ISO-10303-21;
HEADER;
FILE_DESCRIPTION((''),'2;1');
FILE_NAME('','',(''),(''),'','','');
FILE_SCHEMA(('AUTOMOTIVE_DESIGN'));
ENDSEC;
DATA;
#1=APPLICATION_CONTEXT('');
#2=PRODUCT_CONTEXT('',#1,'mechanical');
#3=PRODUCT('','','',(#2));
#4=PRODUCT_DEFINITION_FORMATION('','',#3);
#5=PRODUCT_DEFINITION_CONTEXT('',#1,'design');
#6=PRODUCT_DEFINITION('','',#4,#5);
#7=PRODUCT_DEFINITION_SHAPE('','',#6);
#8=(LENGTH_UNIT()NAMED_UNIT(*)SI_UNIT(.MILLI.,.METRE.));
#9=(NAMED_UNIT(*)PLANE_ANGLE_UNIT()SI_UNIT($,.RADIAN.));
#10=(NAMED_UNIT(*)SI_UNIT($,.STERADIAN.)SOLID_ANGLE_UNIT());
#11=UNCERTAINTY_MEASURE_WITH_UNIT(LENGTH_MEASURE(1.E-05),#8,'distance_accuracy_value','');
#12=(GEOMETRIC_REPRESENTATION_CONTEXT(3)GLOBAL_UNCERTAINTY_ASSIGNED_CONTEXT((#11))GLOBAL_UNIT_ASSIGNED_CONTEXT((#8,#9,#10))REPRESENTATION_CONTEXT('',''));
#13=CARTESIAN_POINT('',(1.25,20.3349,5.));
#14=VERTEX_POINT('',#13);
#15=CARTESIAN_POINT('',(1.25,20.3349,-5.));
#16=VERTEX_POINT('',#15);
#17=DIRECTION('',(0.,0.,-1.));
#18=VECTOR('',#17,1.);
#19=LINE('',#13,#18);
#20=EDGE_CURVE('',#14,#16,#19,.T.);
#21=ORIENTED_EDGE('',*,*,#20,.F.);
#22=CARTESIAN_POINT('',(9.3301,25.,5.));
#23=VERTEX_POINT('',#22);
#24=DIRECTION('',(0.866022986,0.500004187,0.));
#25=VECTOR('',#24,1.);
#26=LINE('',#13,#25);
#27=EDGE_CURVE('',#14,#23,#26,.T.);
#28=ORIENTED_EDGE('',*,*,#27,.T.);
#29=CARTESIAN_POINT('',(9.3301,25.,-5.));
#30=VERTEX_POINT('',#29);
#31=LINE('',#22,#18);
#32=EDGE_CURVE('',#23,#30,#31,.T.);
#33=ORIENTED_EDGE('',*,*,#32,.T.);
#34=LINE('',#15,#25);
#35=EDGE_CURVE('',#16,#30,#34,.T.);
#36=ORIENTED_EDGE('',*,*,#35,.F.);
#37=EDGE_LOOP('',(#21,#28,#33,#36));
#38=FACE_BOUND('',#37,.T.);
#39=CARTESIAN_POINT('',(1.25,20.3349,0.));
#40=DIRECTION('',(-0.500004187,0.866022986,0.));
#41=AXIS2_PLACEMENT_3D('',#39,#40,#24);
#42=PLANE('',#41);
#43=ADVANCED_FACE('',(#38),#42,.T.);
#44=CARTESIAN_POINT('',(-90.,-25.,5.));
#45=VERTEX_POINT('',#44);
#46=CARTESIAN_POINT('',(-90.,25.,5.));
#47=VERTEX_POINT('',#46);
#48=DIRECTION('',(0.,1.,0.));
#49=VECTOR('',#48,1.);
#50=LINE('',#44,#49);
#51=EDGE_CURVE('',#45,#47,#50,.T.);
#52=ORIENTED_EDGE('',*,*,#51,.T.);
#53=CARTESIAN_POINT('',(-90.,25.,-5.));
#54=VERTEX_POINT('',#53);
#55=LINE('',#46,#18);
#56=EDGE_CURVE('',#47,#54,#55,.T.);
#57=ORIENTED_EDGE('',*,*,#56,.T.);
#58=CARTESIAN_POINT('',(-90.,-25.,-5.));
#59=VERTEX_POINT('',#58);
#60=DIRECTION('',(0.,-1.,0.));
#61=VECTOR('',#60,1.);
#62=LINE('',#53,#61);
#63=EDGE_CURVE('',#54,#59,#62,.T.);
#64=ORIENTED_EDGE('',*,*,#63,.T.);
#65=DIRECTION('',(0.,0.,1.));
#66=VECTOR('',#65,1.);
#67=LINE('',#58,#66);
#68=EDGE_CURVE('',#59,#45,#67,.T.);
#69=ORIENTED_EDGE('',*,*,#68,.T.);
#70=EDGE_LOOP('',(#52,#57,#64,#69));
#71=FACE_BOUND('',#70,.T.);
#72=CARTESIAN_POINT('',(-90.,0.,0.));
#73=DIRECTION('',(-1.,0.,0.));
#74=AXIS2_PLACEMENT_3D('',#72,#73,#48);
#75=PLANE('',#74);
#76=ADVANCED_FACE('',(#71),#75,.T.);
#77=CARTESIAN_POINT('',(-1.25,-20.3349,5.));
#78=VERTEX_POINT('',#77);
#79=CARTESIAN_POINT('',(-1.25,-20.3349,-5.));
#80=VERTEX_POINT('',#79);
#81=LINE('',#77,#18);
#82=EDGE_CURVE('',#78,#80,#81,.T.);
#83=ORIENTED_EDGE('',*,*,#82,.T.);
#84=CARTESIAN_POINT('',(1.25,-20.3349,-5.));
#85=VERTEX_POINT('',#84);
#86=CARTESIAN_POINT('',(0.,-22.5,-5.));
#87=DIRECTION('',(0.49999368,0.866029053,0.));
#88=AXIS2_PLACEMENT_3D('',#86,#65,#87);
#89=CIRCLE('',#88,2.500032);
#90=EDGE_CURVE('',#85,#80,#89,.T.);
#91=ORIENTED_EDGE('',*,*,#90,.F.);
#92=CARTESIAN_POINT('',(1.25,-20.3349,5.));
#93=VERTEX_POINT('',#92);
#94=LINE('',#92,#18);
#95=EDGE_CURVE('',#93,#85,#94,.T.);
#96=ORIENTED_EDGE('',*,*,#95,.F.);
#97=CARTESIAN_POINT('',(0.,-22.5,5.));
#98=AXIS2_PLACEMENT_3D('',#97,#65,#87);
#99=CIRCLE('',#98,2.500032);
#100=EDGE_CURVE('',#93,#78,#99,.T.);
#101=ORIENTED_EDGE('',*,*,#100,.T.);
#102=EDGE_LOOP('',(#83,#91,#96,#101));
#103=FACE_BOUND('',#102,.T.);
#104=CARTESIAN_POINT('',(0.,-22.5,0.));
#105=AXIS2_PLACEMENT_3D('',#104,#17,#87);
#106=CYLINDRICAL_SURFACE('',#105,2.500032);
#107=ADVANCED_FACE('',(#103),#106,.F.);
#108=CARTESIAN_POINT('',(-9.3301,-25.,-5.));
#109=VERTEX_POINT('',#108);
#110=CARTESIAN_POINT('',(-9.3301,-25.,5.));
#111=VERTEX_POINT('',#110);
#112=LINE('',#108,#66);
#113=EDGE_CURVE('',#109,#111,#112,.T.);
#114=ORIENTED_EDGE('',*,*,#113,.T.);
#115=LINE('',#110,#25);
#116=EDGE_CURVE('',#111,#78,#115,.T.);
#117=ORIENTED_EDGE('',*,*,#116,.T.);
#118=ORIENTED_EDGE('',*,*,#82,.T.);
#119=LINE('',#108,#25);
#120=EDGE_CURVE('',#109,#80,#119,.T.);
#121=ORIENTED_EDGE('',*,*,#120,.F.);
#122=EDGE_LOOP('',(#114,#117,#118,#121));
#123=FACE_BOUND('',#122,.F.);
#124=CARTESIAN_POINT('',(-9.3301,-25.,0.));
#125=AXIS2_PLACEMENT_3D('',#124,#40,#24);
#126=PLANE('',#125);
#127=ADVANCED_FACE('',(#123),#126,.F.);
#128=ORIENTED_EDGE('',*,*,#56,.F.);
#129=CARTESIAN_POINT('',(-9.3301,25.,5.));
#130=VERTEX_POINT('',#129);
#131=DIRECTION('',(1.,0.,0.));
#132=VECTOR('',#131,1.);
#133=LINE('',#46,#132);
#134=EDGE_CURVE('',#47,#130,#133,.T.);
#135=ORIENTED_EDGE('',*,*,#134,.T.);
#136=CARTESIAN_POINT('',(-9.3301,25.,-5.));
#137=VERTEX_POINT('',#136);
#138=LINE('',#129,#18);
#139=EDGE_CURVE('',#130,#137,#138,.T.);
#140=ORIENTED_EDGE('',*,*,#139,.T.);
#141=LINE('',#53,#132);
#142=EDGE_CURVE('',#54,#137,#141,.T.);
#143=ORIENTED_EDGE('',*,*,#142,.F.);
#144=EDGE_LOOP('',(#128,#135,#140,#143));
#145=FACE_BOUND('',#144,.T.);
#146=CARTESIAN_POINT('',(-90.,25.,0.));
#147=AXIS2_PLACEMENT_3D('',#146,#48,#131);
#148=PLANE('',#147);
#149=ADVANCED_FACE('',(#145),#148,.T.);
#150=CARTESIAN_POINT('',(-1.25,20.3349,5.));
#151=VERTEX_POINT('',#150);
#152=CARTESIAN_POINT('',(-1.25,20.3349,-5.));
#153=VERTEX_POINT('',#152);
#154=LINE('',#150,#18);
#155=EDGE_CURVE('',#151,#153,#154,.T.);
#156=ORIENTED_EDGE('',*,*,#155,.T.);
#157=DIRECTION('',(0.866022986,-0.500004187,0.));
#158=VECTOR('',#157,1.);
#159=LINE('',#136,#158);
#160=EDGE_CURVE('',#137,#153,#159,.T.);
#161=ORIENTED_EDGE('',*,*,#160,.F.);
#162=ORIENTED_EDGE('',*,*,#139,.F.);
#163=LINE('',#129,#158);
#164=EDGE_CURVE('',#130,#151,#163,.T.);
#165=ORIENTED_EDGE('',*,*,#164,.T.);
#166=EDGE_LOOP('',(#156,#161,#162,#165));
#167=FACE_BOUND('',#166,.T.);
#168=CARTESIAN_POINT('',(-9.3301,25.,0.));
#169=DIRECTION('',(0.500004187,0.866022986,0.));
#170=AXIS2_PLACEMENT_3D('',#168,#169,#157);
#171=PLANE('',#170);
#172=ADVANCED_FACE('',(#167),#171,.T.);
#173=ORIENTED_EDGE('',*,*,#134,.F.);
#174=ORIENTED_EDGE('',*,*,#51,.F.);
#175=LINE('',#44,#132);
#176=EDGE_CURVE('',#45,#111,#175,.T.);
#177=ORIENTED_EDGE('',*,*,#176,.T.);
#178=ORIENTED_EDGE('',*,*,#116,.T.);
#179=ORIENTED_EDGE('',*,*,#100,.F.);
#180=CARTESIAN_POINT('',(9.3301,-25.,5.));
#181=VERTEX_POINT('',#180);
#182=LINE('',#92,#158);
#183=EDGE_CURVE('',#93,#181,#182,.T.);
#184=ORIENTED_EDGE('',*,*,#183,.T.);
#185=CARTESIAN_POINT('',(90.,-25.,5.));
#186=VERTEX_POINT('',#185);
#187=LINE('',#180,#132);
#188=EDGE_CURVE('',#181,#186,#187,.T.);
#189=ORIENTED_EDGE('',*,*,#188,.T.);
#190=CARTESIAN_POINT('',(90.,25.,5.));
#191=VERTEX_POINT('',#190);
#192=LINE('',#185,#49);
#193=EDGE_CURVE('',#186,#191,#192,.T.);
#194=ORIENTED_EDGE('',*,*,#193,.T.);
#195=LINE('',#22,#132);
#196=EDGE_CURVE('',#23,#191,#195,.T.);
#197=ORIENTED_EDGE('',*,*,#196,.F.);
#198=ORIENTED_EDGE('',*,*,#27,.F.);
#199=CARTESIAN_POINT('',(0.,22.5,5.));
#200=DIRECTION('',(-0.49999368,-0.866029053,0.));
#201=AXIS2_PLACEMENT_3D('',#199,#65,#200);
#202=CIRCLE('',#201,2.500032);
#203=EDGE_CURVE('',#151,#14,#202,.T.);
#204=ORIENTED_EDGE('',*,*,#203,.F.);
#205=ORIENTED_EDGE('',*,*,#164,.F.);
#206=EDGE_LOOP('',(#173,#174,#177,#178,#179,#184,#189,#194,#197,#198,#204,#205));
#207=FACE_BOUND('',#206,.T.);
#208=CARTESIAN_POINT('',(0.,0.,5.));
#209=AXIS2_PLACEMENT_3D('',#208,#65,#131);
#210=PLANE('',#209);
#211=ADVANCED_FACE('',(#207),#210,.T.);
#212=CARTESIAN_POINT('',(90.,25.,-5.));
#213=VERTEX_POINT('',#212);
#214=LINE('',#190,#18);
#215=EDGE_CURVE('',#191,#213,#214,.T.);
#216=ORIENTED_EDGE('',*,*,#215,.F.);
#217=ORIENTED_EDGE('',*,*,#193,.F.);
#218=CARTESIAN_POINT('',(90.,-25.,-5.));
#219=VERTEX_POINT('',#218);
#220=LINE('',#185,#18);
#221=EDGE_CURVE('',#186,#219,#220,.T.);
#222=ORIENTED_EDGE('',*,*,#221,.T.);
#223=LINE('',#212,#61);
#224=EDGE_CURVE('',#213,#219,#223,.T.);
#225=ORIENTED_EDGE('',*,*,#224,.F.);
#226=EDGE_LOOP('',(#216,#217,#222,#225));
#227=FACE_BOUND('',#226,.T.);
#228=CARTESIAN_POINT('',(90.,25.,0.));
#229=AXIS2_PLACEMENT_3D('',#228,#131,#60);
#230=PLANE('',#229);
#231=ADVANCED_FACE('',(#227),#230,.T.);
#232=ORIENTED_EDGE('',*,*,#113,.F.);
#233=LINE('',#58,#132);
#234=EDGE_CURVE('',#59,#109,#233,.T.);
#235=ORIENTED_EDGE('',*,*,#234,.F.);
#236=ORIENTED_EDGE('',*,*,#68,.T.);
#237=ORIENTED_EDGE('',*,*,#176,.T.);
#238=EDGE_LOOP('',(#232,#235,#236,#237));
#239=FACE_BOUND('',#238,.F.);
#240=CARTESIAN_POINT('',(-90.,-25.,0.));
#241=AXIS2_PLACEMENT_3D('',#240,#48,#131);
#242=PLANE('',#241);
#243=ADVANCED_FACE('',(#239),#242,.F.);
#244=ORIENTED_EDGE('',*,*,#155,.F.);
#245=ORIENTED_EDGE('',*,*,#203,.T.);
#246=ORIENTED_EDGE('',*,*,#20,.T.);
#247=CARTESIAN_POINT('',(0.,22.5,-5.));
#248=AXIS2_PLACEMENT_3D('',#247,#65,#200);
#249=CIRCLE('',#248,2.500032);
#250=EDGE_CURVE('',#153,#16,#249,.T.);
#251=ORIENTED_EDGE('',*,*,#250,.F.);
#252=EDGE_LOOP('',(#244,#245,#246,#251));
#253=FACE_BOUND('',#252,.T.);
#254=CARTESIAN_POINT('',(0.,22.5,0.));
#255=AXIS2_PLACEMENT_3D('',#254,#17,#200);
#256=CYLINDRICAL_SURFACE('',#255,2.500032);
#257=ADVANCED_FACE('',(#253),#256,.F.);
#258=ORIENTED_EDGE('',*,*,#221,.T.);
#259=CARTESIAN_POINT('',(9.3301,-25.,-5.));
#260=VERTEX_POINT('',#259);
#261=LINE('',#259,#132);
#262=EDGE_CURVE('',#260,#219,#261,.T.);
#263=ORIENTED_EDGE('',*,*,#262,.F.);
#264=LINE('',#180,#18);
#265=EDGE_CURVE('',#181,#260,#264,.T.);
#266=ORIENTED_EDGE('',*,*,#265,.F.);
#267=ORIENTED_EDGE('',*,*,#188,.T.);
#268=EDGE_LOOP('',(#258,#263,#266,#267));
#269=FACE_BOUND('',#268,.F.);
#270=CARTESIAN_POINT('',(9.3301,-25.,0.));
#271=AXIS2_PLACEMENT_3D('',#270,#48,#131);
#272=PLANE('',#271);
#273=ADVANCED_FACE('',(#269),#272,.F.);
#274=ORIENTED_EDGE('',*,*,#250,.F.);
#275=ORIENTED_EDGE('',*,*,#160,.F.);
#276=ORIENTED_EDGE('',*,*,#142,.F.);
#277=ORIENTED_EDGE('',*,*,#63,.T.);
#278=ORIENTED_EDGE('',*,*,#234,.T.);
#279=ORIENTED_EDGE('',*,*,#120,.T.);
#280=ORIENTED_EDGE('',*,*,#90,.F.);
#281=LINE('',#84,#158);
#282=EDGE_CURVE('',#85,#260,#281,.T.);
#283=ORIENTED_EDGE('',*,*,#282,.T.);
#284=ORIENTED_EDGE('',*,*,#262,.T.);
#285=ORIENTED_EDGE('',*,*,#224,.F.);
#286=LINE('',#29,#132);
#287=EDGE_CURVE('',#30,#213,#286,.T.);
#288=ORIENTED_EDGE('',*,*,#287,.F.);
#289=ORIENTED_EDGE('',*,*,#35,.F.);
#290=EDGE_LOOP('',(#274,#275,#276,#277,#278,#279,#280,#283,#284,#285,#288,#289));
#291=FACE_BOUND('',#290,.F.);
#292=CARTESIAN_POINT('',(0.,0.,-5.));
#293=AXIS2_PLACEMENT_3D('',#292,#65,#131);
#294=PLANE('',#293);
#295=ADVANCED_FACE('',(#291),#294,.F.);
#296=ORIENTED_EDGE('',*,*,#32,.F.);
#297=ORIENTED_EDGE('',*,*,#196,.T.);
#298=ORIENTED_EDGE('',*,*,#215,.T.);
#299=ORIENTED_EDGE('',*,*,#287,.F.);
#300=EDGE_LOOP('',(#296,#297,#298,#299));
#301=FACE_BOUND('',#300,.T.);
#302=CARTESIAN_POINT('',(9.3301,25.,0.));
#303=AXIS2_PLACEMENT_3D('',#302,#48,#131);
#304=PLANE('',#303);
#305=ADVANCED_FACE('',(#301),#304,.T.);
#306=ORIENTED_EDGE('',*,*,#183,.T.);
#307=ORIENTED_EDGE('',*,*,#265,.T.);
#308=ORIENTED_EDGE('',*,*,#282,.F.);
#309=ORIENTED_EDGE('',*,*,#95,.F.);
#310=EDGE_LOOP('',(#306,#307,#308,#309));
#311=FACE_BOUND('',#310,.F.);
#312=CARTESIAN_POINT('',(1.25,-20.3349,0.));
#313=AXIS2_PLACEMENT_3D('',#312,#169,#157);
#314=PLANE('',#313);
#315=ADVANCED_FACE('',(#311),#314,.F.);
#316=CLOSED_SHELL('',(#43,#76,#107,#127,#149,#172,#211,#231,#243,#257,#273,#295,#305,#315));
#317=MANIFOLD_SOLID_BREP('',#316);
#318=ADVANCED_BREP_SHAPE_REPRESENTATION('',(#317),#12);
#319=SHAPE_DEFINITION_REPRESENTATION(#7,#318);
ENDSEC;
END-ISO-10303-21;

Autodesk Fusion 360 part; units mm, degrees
sketch "Sketch1" plane through (0, 0, 0) normal (0, 0, 1) x (1, 0, 0)
  line L0 (-90, 0) -> (-90, 25)
  line L1 (-90, 25) -> (-9.3301, 25)
  line L2 (-9.3301, 25) -> (-1.25, 20.3349)
  arc A0 (-1.25, 20.3349) -> (1.25, 20.3349) centre (0, 22.5) ccw
  line L3 (1.25, 20.3349) -> (9.3301, 25)
  line L4 (9.3301, 25) -> (90, 25)
  line L5 (90, 25) -> (90, 0)
  line L6 (-90, 0) -> (90, 0) construction
  line L7 (0, 0) -> (0, 22.5) construction
  line L8 (-90, 0) -> (-90, -25)
  line L9 (-90, -25) -> (-9.3301, -25)
  line L10 (-9.3301, -25) -> (-1.25, -20.3349)
  line L11 (1.25, -20.3349) -> (9.3301, -25)
  line L12 (9.3301, -25) -> (90, -25)
  line L13 (90, -25) -> (90, 0)
  arc A1 (1.25, -20.3349) -> (-1.25, -20.3349) centre (0, -22.5) ccw
  line L14 (-90, 20) -> (90, 20) construction
  dimension "Total_Width" = 180
  dimension "Notch_Radius" = 2.5
  dimension "Notch_Theta" = 120
  dimension "Total_Height" = 50
  dimension "Notch_Height" = 5
extrude "Extrude1" add sketch "Sketch1" along normal mid plane 10
equation "Thickness = 1 cm"
